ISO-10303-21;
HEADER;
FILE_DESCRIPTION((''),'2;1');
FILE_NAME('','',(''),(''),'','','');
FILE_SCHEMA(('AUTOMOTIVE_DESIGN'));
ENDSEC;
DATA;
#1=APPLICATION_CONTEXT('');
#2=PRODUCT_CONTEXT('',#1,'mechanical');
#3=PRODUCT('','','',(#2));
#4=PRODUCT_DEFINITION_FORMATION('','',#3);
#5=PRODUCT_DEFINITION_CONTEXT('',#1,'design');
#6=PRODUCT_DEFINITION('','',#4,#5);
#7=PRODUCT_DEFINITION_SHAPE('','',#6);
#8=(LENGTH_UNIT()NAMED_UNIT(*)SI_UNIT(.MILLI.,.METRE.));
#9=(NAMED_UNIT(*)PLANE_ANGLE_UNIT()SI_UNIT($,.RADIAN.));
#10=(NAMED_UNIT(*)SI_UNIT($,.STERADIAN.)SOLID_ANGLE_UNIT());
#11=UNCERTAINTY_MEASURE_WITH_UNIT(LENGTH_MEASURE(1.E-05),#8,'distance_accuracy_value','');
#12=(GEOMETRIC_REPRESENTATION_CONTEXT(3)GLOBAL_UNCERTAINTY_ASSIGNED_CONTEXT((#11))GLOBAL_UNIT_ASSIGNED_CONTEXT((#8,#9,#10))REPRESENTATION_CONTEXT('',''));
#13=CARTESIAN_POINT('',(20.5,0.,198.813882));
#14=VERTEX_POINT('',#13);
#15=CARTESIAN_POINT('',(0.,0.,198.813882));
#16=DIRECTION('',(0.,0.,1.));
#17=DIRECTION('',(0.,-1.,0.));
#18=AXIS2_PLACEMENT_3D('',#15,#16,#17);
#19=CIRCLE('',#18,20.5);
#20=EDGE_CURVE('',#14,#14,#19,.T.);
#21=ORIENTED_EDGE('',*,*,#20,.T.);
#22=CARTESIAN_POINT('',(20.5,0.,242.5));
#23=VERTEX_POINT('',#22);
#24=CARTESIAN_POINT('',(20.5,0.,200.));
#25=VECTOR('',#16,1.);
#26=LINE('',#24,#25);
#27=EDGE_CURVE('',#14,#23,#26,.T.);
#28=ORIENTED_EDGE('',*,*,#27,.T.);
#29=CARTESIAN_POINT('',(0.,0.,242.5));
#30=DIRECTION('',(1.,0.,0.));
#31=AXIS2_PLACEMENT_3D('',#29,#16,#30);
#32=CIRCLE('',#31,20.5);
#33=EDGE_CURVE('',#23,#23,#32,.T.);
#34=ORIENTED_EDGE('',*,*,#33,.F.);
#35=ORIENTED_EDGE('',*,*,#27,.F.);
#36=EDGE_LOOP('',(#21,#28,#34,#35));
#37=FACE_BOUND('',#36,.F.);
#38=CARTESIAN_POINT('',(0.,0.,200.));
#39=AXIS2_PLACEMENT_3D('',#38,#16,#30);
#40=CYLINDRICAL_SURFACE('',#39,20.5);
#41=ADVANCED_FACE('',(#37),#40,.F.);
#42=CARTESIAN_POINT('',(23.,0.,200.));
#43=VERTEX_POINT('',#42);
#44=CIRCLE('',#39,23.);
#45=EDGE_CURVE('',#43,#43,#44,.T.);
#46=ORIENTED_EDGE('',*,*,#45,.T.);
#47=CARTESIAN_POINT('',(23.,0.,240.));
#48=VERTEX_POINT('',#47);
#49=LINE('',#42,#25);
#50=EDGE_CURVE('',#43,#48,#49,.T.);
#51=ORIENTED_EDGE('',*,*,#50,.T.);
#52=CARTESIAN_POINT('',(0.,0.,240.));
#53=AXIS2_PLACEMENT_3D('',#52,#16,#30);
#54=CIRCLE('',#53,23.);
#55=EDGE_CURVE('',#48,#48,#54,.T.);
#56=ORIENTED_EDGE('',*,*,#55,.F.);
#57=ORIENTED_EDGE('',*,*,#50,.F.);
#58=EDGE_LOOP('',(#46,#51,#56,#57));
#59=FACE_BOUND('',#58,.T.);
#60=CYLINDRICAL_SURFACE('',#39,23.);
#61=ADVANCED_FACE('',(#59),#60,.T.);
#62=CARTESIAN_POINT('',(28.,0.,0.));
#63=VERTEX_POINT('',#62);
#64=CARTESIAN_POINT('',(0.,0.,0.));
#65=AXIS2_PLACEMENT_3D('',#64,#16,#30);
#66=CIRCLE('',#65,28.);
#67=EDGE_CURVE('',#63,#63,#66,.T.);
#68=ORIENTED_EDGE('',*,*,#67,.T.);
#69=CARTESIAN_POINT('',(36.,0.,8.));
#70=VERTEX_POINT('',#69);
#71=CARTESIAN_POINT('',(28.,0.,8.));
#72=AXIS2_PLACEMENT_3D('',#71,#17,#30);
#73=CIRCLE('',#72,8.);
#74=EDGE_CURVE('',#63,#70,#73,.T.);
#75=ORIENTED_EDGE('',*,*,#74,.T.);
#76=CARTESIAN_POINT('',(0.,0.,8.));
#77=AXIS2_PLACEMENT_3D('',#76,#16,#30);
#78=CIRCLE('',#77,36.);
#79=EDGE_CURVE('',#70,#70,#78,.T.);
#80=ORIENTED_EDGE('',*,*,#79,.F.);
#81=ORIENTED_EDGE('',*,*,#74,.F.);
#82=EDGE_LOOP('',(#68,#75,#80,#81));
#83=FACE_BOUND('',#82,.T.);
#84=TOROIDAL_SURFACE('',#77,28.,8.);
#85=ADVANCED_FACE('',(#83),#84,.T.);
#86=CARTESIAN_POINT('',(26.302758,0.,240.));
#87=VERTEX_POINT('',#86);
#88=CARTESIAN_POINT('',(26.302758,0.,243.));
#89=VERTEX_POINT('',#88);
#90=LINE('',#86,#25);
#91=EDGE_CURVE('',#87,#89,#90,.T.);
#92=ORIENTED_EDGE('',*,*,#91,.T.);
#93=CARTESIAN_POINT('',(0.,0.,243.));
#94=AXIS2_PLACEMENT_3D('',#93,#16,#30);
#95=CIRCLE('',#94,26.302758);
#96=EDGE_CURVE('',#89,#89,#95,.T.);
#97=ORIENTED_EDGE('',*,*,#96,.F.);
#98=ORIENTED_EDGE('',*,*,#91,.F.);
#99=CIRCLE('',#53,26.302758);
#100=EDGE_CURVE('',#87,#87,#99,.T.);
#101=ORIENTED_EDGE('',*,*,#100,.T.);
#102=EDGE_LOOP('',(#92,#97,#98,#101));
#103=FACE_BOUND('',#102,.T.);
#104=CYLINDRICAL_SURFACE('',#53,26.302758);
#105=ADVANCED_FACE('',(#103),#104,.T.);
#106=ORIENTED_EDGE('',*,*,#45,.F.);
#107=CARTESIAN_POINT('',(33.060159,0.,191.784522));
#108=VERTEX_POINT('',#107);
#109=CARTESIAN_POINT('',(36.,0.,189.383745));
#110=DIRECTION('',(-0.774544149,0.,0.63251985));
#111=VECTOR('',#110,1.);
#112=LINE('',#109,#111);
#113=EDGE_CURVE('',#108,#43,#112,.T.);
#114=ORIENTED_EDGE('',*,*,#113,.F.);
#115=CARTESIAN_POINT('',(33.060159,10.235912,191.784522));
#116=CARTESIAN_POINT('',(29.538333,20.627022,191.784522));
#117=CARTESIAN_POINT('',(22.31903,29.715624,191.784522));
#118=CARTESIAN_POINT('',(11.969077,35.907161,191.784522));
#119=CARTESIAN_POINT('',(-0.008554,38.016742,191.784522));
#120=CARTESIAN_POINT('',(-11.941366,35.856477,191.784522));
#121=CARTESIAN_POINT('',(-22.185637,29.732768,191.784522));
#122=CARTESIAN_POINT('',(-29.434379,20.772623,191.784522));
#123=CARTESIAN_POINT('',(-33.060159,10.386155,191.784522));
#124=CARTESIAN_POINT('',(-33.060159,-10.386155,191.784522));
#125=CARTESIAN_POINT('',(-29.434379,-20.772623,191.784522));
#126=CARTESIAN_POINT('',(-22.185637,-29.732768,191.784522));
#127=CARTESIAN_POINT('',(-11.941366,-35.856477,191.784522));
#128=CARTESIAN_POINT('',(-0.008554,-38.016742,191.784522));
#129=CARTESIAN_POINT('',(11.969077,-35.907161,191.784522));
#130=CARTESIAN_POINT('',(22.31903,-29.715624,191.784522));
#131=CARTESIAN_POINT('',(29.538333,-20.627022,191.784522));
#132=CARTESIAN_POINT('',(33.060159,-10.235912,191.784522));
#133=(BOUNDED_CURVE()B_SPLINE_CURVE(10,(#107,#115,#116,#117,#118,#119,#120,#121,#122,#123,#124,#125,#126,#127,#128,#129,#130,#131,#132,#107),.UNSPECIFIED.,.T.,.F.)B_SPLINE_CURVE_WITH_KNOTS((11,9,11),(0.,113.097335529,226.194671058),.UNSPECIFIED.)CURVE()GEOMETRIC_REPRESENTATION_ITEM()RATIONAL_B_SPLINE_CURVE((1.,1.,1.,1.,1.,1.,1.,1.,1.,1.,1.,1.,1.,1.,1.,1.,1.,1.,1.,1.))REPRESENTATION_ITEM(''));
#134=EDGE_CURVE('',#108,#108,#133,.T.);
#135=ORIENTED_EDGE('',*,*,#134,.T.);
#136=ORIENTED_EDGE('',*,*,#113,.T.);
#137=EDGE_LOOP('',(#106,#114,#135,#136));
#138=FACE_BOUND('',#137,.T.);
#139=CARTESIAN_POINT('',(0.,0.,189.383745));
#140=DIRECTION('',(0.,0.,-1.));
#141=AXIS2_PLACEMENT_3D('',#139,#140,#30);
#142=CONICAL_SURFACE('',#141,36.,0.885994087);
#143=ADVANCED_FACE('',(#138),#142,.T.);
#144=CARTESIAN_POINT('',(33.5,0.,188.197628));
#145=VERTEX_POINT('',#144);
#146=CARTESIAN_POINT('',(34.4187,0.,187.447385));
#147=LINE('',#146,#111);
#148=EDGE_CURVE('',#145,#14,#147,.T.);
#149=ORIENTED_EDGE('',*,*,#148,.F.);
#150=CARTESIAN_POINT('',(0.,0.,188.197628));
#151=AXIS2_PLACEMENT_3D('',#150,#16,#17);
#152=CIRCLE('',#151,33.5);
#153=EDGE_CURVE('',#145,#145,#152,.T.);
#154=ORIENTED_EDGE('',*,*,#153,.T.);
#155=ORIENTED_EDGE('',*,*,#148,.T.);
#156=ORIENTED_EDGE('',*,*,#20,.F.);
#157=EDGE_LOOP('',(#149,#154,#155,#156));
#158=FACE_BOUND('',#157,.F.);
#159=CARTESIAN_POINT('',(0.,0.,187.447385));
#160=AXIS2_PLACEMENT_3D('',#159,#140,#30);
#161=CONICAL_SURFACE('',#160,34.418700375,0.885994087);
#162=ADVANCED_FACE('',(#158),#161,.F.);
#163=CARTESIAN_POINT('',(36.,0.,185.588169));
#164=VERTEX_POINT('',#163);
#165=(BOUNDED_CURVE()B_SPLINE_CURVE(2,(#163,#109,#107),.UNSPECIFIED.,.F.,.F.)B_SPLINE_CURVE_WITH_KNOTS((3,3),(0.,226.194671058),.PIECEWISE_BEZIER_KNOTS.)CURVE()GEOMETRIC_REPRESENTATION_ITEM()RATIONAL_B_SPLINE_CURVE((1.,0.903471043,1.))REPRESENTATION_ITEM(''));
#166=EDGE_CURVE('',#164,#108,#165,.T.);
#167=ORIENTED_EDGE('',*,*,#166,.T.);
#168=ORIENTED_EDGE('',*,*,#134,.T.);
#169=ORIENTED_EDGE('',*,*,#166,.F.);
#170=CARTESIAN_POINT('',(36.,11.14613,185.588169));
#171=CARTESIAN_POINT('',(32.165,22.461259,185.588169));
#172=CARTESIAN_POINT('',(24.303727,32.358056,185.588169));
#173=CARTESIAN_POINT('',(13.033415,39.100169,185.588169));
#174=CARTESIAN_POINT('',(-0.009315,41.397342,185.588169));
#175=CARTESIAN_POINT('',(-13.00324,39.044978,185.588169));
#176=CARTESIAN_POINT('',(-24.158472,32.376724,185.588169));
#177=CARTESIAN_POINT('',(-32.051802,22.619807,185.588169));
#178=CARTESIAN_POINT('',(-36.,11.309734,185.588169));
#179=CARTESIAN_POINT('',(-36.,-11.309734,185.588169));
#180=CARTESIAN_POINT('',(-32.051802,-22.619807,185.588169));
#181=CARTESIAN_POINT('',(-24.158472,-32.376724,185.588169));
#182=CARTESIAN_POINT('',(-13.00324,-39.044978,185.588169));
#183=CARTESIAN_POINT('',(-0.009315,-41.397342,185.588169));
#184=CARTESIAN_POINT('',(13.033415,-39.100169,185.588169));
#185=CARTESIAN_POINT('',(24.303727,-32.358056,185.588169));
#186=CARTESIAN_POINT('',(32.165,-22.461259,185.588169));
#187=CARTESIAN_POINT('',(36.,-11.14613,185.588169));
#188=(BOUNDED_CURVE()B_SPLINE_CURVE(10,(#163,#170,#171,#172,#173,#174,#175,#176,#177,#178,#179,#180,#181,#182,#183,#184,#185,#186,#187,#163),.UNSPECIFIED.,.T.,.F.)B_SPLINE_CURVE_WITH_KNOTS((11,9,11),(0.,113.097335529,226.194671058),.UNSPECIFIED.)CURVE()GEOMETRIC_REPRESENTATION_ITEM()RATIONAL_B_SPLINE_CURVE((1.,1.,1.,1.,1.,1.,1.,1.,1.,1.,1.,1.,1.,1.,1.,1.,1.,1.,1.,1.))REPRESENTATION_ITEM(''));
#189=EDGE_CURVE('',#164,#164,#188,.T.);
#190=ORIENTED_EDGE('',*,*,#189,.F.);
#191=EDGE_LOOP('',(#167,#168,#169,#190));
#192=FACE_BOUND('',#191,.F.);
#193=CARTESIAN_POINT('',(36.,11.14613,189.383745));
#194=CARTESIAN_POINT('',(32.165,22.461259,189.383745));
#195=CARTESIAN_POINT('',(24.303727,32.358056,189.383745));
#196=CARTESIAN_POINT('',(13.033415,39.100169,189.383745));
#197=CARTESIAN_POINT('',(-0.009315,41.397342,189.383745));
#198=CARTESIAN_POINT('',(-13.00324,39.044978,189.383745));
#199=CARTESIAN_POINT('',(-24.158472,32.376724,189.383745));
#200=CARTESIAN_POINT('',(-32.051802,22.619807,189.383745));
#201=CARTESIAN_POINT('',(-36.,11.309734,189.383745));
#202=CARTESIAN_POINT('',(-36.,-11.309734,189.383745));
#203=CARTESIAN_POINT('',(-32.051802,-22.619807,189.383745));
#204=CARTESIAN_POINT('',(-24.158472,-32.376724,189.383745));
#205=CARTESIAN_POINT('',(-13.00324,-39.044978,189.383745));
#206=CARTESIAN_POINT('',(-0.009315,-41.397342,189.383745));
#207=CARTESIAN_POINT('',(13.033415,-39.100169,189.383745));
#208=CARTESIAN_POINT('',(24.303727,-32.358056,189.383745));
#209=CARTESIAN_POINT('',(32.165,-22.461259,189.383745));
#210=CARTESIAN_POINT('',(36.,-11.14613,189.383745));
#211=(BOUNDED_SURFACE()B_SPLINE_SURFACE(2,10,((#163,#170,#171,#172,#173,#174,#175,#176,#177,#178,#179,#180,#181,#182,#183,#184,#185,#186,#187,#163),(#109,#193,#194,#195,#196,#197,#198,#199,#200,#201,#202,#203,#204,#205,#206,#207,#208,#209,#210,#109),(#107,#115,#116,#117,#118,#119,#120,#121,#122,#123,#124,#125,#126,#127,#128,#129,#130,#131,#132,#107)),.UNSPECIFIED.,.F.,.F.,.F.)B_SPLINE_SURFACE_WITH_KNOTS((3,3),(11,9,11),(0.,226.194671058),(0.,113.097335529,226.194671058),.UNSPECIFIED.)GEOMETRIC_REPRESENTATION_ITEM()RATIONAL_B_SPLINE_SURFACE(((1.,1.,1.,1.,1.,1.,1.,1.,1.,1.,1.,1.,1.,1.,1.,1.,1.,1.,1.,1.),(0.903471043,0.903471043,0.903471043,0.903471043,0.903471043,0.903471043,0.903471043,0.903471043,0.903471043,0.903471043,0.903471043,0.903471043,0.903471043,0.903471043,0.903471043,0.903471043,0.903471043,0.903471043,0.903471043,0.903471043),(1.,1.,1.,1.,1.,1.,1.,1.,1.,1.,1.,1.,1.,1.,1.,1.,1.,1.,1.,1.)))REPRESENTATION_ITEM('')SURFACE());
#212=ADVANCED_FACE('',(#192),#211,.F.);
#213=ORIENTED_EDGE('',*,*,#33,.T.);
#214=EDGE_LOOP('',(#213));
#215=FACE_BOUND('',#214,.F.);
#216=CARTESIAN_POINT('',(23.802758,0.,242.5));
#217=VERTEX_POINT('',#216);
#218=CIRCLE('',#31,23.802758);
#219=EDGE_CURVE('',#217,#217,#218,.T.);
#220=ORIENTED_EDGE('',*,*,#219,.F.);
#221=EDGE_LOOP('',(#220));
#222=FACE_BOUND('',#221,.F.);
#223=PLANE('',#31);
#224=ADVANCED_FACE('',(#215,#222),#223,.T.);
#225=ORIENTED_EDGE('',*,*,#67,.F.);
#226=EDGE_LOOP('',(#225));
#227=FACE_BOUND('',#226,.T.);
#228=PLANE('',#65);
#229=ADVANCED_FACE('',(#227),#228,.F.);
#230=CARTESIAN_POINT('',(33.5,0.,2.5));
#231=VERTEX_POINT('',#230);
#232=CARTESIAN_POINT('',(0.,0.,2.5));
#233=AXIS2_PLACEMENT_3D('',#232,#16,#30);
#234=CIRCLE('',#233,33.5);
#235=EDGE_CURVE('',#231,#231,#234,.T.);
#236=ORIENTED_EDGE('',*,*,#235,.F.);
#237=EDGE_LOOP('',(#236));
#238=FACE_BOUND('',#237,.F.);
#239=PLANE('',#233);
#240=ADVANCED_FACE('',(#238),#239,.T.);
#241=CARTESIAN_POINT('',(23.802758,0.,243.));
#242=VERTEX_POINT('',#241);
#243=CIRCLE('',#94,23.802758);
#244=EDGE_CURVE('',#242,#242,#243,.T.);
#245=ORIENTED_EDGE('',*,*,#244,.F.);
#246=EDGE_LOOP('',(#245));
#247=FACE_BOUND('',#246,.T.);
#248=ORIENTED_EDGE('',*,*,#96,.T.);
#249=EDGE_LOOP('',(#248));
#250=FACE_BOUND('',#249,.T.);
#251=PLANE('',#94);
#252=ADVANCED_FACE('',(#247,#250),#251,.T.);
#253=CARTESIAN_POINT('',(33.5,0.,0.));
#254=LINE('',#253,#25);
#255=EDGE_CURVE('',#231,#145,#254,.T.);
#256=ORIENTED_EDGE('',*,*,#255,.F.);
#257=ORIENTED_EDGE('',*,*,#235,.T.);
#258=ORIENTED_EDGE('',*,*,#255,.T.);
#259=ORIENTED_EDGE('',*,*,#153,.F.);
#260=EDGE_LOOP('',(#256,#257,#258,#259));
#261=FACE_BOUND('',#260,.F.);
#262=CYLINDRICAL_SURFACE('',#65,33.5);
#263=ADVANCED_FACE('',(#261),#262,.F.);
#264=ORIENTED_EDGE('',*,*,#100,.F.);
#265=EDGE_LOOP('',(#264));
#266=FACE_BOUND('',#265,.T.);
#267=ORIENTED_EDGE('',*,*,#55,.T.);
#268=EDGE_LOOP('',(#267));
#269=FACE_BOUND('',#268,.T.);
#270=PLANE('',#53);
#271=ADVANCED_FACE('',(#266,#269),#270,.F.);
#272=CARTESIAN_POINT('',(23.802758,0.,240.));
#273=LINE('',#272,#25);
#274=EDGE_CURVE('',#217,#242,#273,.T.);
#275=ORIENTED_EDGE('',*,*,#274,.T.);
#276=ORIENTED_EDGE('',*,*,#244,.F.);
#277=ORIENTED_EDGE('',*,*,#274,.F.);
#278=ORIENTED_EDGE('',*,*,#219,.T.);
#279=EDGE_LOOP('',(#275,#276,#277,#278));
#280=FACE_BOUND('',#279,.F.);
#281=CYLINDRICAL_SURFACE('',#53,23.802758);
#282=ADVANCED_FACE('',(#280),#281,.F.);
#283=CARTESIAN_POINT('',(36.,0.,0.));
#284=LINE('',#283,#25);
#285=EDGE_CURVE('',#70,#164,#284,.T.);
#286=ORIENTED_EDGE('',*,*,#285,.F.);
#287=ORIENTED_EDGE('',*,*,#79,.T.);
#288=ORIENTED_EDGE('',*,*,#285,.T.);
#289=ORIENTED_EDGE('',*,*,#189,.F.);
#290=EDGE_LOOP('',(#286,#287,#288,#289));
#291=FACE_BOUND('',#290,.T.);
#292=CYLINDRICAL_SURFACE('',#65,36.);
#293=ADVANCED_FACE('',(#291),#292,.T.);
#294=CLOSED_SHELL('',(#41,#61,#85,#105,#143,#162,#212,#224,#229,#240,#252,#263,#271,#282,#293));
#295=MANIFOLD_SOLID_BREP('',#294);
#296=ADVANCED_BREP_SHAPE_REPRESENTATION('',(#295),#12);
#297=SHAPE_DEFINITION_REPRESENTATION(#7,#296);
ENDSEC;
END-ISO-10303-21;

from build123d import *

# Parameters (mm, degrees)
F2_T = -2.5
F3_R = 8


with BuildPart() as f1:
    # F0 (on Front) → F1 (revolve)
    with BuildSketch(Plane.XZ):
        Polygon((0, 243), (0, 0), (36, 0), (36, 189.3837451935), (23, 200), (23, 240), (26.3027578132, 240), (26.3027578132, 243), align=None)
    revolve(axis=Axis((0, 0, 121.5), (0, 0, 1)))

    # F2
    f2_openings = [f1.faces().sort_by_distance(p)[0] for p in [
        (0, 0, 243),
    ]]
    offset(amount=F2_T, openings=f2_openings, kind=Kind.INTERSECTION)

    # F3
    f3_edges = [f1.edges().sort_by_distance(p)[0] for p in [
        (-36, 0, 0),
        (-36, 0, 189.383745),
    ]]
    fillet(f3_edges, radius=F3_R)


solid = f1.part
